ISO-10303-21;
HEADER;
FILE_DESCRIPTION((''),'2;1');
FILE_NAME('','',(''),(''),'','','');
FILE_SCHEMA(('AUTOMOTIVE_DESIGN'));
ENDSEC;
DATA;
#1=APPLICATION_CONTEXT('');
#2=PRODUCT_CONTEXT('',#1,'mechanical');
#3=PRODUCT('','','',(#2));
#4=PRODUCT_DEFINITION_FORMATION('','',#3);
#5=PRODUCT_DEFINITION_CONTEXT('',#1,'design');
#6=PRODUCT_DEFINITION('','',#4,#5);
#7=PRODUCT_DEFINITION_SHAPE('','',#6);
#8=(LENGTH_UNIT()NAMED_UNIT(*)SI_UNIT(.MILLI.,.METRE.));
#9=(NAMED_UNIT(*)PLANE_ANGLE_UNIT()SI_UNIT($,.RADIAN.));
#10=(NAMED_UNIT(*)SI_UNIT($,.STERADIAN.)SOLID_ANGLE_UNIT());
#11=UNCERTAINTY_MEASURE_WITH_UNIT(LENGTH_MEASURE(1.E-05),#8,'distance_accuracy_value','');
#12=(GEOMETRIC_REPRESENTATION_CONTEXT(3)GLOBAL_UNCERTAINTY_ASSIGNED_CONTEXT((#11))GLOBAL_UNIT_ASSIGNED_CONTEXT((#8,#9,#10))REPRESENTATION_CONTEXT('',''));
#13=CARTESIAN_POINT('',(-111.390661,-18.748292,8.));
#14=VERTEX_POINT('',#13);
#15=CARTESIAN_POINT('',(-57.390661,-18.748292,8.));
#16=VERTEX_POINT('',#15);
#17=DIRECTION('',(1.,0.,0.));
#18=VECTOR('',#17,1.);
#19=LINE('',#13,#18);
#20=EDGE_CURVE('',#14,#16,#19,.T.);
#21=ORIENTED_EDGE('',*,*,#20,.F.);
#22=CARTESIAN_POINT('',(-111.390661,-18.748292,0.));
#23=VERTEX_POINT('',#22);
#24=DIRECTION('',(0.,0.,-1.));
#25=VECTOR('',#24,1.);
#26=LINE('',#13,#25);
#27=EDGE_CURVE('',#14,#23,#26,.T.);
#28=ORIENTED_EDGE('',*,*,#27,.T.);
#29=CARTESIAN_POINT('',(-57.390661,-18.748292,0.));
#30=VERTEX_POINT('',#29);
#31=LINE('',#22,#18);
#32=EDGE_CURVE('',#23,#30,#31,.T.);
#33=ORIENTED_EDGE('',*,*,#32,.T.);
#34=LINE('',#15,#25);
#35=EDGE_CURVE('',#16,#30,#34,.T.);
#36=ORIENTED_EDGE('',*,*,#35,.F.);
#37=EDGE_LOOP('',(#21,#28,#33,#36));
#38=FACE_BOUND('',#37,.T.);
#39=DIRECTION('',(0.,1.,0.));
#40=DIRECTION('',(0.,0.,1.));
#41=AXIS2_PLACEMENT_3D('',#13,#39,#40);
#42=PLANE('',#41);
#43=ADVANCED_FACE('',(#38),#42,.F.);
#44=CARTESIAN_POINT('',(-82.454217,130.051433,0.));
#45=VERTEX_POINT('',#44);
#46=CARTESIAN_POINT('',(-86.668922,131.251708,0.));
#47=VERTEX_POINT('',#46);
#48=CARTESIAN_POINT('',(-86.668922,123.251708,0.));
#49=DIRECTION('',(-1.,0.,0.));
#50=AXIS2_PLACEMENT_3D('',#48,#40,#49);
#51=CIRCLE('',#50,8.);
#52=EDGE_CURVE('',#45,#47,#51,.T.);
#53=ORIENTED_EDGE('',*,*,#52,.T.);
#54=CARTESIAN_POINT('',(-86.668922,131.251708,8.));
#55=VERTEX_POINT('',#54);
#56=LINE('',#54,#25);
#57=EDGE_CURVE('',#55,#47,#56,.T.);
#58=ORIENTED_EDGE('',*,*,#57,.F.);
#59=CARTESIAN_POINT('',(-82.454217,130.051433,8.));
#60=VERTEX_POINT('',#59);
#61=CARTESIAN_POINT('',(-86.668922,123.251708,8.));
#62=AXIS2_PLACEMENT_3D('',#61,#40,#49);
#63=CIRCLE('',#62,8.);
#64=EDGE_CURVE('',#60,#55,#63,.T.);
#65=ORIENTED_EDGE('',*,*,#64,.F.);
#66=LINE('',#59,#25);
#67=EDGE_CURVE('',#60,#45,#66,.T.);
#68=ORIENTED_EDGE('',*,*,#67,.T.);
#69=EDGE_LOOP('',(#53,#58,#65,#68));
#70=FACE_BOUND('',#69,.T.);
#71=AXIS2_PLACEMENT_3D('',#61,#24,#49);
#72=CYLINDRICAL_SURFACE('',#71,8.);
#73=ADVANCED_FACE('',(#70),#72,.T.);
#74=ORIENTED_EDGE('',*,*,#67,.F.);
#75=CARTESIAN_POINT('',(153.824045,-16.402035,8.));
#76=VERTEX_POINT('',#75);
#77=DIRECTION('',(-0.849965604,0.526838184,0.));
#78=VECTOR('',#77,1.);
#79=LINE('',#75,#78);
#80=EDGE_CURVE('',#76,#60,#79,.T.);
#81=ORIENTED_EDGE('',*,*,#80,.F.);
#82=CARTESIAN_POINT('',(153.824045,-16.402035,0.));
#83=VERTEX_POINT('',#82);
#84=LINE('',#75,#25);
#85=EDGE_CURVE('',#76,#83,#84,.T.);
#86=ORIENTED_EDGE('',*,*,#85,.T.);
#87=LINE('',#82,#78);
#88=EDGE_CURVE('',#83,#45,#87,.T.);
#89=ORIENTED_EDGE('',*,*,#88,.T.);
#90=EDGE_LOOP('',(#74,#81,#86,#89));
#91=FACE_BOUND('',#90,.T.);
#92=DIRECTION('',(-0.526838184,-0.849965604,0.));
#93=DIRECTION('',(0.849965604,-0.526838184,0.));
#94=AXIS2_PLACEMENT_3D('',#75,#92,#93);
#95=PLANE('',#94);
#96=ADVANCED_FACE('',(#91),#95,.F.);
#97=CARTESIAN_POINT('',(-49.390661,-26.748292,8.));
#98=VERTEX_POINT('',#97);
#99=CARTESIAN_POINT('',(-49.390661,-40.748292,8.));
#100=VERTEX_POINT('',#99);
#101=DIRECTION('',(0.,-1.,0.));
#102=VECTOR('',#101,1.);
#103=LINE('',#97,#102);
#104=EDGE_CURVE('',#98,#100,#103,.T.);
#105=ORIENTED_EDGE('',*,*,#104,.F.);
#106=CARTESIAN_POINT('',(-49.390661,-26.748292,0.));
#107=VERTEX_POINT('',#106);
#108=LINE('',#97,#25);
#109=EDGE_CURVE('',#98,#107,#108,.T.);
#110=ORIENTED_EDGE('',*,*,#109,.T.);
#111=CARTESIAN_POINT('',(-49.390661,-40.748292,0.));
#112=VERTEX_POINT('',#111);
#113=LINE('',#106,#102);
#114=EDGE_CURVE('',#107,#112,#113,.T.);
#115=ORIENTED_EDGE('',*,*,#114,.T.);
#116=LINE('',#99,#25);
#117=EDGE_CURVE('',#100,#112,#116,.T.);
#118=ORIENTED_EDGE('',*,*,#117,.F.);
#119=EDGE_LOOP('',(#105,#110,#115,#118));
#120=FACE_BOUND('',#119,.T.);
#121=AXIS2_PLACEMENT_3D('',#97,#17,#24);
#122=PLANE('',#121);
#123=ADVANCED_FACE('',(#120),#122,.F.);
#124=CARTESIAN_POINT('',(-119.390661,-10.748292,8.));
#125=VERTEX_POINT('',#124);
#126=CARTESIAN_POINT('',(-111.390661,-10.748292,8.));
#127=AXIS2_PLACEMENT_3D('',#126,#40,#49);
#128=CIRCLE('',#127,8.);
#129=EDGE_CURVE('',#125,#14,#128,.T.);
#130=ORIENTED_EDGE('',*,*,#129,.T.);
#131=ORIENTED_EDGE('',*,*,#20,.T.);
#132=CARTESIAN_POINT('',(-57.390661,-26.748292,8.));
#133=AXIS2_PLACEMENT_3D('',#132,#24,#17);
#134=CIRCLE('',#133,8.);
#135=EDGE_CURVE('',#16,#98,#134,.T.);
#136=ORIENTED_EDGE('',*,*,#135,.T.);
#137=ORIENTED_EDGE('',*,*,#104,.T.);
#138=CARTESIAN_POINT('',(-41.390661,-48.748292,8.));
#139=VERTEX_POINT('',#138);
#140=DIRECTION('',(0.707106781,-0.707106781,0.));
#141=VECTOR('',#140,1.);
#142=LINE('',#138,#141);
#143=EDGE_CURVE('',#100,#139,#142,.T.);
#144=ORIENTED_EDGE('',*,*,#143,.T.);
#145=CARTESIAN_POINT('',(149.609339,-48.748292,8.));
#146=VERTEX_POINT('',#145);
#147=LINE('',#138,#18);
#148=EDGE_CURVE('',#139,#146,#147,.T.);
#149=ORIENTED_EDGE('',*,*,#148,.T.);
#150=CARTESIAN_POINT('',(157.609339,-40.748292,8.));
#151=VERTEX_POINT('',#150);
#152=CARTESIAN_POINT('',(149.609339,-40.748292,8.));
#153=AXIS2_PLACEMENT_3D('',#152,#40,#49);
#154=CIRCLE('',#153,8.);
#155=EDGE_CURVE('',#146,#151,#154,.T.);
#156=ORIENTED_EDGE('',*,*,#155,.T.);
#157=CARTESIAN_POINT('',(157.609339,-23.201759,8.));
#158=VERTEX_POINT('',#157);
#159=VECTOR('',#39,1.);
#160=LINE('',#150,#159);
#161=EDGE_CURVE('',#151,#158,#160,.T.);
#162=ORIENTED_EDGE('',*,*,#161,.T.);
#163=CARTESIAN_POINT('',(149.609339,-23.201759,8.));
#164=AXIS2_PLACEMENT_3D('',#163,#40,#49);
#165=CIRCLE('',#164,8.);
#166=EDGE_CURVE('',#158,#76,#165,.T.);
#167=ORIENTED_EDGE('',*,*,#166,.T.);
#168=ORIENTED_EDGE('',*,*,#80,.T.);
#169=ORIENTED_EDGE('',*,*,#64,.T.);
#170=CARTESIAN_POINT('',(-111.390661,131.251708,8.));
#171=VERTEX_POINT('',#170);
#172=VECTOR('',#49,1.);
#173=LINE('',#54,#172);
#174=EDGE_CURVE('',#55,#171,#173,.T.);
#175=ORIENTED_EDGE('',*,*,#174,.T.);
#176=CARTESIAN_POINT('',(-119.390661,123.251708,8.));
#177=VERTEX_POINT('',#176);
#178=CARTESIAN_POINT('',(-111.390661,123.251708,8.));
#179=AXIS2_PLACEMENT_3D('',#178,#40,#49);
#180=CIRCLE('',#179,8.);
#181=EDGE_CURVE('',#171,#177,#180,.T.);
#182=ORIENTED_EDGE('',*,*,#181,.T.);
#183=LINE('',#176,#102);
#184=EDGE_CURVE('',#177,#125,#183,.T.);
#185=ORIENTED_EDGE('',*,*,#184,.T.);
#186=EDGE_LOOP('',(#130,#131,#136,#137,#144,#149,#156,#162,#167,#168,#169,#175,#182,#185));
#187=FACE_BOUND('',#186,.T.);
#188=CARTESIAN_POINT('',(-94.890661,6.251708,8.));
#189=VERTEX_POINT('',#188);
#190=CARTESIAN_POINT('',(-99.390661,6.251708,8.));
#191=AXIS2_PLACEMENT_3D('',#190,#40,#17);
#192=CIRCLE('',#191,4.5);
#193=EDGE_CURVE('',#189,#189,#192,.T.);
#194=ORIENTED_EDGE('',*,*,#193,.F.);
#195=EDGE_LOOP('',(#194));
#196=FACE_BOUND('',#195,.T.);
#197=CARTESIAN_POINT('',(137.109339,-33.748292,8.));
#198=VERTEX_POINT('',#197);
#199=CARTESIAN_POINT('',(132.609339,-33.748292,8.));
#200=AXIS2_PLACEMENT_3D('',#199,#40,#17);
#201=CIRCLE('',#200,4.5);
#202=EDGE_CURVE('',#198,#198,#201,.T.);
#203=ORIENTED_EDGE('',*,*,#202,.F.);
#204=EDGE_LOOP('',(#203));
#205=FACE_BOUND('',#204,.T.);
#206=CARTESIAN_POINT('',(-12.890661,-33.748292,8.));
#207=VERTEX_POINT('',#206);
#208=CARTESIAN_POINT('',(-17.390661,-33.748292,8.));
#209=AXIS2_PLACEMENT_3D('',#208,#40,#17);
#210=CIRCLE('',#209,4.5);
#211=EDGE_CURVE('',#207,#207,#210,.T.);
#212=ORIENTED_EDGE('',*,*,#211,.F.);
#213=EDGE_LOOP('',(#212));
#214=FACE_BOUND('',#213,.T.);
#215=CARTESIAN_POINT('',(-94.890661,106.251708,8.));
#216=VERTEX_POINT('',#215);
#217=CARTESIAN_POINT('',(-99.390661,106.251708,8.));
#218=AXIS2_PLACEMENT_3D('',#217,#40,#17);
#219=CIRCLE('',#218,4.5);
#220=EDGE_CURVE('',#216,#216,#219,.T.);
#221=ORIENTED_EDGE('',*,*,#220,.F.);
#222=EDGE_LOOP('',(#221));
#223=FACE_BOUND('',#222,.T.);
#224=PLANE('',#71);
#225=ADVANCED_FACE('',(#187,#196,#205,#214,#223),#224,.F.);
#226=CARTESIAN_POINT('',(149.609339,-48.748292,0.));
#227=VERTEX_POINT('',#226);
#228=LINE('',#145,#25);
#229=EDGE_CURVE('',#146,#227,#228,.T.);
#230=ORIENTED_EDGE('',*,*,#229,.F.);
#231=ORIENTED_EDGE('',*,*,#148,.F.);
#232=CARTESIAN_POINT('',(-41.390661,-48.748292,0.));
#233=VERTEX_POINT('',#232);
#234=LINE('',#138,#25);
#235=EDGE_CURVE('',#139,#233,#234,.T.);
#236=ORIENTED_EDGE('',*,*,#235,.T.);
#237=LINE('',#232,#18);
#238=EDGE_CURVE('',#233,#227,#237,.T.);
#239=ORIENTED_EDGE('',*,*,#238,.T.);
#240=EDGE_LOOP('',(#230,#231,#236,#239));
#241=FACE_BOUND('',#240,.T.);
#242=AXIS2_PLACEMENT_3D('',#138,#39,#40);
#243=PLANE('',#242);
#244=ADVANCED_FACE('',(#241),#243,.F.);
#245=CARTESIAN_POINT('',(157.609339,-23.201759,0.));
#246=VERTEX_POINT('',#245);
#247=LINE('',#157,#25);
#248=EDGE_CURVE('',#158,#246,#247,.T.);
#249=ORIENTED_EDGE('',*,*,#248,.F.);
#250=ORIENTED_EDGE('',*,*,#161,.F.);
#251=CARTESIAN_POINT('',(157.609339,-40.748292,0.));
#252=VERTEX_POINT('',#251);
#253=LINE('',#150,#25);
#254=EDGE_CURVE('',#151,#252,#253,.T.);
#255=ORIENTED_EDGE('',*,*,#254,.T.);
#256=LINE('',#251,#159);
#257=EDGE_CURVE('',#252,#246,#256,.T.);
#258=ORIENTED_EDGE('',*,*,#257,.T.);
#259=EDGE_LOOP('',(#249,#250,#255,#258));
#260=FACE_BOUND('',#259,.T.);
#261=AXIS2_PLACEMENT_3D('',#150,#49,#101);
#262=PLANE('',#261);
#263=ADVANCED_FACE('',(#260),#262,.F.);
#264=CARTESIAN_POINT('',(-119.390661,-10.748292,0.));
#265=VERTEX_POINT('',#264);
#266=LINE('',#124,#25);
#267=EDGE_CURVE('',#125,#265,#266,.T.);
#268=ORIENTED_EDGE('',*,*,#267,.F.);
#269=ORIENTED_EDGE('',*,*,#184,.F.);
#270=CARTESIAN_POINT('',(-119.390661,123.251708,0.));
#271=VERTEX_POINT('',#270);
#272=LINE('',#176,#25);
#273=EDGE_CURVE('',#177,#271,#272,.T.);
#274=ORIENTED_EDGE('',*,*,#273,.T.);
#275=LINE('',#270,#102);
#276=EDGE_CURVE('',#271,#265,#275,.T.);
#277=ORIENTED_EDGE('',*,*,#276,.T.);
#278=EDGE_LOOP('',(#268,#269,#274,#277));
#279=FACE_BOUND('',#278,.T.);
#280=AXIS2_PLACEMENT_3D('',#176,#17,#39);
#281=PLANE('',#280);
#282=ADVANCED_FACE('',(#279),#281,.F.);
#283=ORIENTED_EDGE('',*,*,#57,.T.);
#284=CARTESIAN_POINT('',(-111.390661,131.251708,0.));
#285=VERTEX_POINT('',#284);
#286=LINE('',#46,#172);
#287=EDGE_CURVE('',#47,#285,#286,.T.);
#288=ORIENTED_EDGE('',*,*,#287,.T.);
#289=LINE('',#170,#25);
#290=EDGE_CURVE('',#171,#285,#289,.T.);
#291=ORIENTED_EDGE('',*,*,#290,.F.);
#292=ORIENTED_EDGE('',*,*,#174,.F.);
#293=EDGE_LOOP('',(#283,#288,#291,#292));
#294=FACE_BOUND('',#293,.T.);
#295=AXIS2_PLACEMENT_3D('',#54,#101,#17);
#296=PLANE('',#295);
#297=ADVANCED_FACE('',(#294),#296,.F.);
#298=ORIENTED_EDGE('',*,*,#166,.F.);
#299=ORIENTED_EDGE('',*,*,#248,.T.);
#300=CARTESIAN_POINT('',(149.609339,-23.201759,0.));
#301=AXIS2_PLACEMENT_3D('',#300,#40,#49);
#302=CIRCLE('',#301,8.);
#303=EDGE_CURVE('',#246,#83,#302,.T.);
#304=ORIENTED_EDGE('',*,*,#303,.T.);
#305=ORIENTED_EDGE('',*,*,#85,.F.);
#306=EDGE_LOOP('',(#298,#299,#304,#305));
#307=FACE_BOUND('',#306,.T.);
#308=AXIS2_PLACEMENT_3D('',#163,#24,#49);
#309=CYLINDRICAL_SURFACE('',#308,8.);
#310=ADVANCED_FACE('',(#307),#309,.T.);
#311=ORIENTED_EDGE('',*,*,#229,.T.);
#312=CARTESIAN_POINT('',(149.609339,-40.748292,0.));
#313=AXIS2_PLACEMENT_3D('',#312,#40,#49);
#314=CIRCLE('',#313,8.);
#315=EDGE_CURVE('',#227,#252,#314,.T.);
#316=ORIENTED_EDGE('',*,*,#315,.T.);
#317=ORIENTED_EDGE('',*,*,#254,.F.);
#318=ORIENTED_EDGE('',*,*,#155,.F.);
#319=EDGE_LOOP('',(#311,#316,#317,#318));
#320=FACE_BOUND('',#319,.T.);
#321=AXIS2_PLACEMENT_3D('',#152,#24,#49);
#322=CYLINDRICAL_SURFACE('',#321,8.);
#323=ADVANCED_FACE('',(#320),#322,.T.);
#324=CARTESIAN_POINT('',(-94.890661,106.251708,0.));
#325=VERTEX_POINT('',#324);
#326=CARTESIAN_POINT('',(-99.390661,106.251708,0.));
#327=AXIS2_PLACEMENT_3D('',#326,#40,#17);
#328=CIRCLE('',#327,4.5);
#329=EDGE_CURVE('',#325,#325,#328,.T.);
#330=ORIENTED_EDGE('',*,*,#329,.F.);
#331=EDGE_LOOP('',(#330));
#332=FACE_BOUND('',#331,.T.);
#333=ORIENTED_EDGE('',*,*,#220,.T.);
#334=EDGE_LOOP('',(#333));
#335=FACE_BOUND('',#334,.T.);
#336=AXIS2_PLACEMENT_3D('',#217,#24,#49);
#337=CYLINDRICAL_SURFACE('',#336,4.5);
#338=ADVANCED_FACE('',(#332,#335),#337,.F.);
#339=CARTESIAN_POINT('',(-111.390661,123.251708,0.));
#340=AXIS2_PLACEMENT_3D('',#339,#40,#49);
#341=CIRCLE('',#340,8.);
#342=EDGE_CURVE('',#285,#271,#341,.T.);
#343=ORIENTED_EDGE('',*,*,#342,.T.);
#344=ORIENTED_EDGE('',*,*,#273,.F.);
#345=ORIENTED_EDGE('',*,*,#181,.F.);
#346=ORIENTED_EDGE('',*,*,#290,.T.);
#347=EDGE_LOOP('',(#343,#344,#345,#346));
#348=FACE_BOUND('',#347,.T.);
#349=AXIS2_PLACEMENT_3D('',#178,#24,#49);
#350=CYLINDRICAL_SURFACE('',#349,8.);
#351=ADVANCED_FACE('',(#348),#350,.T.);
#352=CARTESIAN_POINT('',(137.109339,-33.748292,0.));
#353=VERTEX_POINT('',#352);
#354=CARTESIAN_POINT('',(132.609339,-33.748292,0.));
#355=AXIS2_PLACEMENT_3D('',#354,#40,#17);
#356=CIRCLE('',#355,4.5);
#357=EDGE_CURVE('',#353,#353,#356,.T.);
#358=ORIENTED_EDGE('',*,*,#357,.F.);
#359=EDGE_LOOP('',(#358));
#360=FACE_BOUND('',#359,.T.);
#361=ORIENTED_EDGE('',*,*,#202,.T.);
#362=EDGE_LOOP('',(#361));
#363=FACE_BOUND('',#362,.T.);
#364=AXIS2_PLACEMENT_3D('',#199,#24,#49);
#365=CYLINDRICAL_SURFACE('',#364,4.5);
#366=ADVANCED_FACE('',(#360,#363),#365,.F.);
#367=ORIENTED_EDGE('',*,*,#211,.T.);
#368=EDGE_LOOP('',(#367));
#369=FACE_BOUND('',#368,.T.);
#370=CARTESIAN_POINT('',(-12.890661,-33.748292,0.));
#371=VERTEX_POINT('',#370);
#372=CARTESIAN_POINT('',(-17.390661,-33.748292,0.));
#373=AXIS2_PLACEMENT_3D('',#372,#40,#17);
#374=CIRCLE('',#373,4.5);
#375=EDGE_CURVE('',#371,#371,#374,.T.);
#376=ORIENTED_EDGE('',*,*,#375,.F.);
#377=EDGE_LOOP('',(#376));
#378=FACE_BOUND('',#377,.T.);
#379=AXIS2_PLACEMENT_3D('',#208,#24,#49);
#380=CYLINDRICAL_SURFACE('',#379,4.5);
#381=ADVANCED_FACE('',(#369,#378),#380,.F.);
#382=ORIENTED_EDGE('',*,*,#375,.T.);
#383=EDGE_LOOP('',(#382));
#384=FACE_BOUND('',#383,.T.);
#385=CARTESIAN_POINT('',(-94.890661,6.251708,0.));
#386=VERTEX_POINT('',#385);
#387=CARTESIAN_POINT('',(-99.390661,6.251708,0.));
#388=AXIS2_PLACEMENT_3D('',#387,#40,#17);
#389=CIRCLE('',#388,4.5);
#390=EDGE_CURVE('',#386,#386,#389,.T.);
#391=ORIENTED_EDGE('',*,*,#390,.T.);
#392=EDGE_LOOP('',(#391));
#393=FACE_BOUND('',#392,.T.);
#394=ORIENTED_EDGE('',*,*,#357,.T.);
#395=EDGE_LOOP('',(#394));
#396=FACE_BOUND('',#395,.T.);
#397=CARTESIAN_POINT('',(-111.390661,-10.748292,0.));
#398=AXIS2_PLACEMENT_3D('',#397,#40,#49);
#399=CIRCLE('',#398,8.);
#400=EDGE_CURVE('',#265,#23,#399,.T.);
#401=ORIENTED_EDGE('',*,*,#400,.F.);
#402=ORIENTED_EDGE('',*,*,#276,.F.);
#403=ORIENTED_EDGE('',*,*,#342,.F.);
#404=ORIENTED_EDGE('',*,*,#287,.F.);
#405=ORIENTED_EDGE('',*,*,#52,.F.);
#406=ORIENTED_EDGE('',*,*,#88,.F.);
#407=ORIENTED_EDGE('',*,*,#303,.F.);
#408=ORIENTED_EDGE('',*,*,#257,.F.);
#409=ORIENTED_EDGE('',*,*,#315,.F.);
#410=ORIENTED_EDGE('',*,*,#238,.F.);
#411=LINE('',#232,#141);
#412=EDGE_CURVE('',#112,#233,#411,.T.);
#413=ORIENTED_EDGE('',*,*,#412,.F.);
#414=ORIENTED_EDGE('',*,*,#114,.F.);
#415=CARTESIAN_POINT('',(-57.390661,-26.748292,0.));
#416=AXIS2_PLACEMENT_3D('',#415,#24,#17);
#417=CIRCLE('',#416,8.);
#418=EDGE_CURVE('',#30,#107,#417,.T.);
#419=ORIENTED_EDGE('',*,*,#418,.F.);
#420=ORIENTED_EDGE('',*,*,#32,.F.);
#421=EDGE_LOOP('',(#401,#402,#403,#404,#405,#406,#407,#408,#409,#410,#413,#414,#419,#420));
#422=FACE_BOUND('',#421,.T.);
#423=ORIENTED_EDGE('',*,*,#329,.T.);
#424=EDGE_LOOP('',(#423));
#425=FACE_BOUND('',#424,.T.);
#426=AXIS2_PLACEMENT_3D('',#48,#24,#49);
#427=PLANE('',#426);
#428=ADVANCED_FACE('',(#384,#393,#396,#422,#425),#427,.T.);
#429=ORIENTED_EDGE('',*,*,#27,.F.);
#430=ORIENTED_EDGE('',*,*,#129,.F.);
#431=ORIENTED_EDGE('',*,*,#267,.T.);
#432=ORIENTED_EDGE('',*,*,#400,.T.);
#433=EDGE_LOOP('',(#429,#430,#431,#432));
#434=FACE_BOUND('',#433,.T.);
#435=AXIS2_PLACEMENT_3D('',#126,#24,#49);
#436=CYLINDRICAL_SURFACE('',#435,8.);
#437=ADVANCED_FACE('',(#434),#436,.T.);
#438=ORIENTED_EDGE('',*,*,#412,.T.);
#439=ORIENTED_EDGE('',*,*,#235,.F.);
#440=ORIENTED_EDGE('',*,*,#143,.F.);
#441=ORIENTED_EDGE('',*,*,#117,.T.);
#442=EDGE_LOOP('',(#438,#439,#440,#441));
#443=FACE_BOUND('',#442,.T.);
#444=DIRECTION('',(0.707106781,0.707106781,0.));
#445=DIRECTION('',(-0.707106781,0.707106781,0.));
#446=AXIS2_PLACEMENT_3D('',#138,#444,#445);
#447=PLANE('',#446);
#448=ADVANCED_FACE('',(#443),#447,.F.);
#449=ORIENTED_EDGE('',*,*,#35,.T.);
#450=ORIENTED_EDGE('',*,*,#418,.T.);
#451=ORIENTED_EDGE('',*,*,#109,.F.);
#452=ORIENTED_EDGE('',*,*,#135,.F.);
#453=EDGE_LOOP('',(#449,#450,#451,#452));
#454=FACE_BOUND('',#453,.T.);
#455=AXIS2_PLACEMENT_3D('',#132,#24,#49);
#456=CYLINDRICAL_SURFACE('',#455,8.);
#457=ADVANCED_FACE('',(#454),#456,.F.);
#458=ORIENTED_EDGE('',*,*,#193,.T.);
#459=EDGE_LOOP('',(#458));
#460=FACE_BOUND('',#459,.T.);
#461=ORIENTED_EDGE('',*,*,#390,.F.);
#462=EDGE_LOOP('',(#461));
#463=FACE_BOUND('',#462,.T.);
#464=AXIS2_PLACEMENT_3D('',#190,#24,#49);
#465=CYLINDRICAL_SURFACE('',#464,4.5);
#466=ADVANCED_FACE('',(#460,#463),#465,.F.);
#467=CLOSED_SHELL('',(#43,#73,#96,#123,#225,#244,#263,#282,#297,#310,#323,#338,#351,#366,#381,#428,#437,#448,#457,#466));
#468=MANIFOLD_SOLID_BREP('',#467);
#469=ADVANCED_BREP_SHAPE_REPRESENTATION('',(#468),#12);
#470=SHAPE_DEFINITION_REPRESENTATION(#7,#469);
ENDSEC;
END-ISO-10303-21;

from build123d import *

# Parameters (mm, degrees)
SKETCH1_R           = 4.5
BOSS_EXTRUDE1_DEPTH = 8


with BuildPart() as part:
    # Sketch1 → Boss-Extrude1 (new body)
    with BuildSketch(Plane.XY):
        with BuildLine():
            Line((-119.390660592, 123.251708428), (-119.390660592, -10.748291572))
            ThreePointArc((-119.390660592, -10.748291572), (-117.047514842, -16.405145821), (-111.390660592, -18.748291572))
            Line((-111.390660592, -18.748291572), (-57.390660592, -18.748291572))
            ThreePointArc((-57.390660592, -18.748291572), (-51.733806343, -21.091437322), (-49.390660592, -26.748291572))
            Line((-49.390660592, -26.748291572), (-49.390660592, -40.748291572))
            Line((-49.390660592, -40.748291572), (-41.390660592, -48.748291572))
            Line((-41.390660592, -48.748291572), (149.609339408, -48.748291572))
            ThreePointArc((149.609339408, -48.748291572), (155.266193657, -46.405145821), (157.609339408, -40.748291572))
            Line((157.609339408, -40.748291572), (157.609339408, -23.201759464))
            ThreePointArc((157.609339408, -23.201759464), (156.599247983, -19.310592788), (153.824044881, -16.402034634))
            Line((153.824044881, -16.402034634), (-82.454216652, 130.051433259))
            ThreePointArc((-82.454216652, 130.051433259), (-84.477780716, 130.945790526), (-86.668922126, 131.251708428))
            Line((-86.668922126, 131.251708428), (-111.390660592, 131.251708428))
            ThreePointArc((-111.390660592, 131.251708428), (-117.047514842, 128.908562678), (-119.390660592, 123.251708428))
        make_face()
        with Locations((-99.390660592, 106.251708428)):
            Circle(SKETCH1_R, mode=Mode.SUBTRACT)
        with Locations((-99.390660592, 6.251708428)):
            Circle(SKETCH1_R, mode=Mode.SUBTRACT)
        with Locations((-17.390660592, -33.748291572)):
            Circle(SKETCH1_R, mode=Mode.SUBTRACT)
        with Locations((132.609339408, -33.748291572)):
            Circle(SKETCH1_R, mode=Mode.SUBTRACT)
    extrude(amount=BOSS_EXTRUDE1_DEPTH)


solid = part.part
